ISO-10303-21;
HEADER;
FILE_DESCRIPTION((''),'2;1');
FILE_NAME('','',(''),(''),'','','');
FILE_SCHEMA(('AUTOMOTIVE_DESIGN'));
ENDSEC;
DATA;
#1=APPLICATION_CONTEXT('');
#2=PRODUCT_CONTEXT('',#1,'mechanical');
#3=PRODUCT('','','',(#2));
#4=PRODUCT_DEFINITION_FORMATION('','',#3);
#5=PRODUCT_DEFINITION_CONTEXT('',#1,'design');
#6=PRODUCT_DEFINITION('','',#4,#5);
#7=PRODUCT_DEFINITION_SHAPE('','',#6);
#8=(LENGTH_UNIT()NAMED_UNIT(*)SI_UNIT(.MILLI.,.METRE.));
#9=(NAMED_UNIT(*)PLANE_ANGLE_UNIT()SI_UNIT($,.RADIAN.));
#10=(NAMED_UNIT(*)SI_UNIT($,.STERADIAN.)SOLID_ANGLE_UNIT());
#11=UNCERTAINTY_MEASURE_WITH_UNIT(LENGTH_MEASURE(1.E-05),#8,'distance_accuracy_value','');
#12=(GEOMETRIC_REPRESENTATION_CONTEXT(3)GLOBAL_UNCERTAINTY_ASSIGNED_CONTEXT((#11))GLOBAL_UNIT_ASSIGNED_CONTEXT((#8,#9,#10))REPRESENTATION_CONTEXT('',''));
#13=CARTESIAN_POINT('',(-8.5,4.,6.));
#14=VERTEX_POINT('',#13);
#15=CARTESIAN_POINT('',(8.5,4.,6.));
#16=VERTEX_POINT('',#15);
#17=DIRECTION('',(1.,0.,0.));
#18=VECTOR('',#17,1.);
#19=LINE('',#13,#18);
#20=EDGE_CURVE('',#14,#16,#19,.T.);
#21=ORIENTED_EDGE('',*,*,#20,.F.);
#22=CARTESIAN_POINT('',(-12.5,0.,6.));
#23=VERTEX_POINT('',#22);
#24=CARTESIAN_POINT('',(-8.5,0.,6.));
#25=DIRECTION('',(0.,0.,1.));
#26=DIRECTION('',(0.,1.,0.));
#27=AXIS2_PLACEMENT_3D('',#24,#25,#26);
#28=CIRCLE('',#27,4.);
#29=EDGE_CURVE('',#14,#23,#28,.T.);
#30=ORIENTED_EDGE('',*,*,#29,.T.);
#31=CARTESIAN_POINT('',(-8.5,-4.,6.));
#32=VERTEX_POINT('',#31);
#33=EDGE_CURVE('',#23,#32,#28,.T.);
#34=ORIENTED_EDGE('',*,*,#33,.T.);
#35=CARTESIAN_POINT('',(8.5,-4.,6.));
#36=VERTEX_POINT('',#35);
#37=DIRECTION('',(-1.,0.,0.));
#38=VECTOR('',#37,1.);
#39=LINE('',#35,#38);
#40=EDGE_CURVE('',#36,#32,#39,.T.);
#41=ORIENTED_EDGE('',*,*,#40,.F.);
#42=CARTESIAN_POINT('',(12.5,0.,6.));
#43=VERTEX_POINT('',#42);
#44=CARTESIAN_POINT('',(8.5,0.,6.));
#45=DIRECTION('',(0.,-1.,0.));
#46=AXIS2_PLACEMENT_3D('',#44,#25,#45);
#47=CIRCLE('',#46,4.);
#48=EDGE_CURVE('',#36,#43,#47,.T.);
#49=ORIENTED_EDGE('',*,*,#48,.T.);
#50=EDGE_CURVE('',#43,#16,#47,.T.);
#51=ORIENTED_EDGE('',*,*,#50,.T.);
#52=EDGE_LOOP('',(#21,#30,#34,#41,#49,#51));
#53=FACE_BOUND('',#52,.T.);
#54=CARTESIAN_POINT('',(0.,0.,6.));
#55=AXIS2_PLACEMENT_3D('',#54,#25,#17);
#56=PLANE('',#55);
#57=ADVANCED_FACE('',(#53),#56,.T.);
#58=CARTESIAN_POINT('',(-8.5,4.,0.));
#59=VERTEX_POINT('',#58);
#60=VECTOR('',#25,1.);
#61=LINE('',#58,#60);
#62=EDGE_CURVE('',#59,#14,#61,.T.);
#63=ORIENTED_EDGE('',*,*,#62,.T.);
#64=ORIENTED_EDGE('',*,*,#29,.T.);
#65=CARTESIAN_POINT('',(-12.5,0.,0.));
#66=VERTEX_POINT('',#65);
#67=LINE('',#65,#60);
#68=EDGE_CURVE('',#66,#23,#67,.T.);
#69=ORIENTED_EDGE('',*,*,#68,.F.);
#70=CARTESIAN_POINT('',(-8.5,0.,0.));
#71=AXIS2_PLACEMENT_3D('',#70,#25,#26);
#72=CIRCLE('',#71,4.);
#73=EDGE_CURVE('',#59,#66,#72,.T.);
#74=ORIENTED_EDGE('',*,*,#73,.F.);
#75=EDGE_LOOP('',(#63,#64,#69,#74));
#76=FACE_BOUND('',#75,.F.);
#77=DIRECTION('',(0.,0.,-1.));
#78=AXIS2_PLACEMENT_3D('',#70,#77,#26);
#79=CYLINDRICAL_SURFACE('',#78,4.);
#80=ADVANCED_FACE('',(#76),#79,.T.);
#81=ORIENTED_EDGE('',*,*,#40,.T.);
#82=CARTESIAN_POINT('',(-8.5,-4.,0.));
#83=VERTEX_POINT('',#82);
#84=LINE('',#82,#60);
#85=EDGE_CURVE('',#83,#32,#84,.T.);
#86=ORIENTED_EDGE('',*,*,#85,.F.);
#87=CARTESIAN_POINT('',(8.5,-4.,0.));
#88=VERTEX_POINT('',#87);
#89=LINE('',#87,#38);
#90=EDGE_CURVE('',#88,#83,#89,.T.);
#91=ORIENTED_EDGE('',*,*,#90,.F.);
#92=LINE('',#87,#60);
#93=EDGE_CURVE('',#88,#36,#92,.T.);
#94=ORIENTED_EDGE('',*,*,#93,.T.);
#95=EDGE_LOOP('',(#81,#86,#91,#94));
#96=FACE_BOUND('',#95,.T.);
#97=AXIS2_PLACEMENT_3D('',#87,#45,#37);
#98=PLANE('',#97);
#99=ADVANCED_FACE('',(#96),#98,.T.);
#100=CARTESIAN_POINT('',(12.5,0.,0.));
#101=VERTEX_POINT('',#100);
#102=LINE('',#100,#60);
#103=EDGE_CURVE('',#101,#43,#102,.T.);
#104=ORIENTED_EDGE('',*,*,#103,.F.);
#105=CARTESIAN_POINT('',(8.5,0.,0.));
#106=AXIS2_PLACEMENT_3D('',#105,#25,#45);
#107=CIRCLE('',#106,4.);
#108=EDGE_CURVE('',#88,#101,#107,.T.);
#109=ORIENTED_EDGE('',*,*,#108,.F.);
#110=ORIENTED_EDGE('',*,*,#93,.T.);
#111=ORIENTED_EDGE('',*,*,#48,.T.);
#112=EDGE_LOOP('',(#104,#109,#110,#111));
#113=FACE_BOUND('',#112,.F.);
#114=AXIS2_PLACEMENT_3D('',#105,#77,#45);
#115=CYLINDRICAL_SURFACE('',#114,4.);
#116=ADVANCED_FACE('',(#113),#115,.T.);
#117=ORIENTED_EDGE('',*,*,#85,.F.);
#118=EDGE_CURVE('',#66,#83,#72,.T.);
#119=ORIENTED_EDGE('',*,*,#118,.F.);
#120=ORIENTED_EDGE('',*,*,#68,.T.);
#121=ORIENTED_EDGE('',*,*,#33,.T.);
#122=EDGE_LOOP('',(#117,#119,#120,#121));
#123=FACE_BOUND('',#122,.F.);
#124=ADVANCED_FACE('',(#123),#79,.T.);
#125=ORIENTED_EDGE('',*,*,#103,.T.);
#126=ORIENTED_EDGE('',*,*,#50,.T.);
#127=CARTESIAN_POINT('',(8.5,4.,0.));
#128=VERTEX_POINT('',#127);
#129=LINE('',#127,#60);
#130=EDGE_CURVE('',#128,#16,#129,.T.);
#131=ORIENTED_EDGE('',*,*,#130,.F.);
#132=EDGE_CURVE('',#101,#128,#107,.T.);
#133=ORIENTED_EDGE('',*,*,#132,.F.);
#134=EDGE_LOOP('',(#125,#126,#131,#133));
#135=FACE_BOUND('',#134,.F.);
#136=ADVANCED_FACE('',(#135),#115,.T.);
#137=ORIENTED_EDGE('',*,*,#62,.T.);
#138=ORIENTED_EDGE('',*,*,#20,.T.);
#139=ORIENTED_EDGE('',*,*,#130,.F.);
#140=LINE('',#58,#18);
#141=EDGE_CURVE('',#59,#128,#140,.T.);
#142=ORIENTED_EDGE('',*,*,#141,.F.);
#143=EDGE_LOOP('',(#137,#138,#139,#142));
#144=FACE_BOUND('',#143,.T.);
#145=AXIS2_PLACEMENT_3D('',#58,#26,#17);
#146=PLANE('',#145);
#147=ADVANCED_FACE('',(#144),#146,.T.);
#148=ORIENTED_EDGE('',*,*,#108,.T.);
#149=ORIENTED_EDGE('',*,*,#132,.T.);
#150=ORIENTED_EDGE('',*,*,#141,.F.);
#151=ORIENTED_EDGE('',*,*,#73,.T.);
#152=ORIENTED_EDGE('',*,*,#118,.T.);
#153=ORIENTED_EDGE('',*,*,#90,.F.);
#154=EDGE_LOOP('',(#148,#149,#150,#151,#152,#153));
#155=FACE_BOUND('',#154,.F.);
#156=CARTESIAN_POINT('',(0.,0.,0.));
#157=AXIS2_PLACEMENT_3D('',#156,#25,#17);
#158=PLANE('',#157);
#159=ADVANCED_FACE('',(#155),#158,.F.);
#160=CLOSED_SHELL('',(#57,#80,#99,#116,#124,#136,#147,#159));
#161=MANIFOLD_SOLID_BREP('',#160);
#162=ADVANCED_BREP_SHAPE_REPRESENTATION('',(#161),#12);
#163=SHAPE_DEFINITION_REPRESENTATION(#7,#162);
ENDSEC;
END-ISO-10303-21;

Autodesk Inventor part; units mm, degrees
ref_plane "YZ Plane" through (0, 0, 0) normal (1, 0, 0) x (0, 1, 0)
ref_plane "XZ Plane" through (0, 0, 0) normal (0, 1, 0) x (-1, 0, 0)
ref_plane "XY Plane" through (0, 0, 0) normal (0, 0, 1) x (1, 0, 0)
sketch "Boceto1" plane through (0, 0, 0) normal (0, 0, 1) x (1, 0, 0)
  line L0 (8.5, -4) -> (-8.5, -4)
  line L1 (-12.5, -4) -> (-12.5, 4)
  line L2 (-8.5, 4) -> (8.5, 4)
  line L3 (12.5, 4) -> (12.5, -4)
  line L4 (-12.5, 0) -> (-8.5, 0)
  arc A0 (-8.5, 4) -> (-8.5, -4) centre (-8.5, 0) ccw
  line L5 (12.5, 0) -> (8.5, 0)
  arc A1 (8.5, -4) -> (8.5, 4) centre (8.5, 0) ccw
  point P0 (0, 0)
  dimension "d6" = 25
  dimension "d7" = 8
  dimension "d8" = 4
  dimension "d9" = 4
extrude "Extrusión2" add sketch "Boceto1" along normal blind 6
properties part number "Chaveta 25"
